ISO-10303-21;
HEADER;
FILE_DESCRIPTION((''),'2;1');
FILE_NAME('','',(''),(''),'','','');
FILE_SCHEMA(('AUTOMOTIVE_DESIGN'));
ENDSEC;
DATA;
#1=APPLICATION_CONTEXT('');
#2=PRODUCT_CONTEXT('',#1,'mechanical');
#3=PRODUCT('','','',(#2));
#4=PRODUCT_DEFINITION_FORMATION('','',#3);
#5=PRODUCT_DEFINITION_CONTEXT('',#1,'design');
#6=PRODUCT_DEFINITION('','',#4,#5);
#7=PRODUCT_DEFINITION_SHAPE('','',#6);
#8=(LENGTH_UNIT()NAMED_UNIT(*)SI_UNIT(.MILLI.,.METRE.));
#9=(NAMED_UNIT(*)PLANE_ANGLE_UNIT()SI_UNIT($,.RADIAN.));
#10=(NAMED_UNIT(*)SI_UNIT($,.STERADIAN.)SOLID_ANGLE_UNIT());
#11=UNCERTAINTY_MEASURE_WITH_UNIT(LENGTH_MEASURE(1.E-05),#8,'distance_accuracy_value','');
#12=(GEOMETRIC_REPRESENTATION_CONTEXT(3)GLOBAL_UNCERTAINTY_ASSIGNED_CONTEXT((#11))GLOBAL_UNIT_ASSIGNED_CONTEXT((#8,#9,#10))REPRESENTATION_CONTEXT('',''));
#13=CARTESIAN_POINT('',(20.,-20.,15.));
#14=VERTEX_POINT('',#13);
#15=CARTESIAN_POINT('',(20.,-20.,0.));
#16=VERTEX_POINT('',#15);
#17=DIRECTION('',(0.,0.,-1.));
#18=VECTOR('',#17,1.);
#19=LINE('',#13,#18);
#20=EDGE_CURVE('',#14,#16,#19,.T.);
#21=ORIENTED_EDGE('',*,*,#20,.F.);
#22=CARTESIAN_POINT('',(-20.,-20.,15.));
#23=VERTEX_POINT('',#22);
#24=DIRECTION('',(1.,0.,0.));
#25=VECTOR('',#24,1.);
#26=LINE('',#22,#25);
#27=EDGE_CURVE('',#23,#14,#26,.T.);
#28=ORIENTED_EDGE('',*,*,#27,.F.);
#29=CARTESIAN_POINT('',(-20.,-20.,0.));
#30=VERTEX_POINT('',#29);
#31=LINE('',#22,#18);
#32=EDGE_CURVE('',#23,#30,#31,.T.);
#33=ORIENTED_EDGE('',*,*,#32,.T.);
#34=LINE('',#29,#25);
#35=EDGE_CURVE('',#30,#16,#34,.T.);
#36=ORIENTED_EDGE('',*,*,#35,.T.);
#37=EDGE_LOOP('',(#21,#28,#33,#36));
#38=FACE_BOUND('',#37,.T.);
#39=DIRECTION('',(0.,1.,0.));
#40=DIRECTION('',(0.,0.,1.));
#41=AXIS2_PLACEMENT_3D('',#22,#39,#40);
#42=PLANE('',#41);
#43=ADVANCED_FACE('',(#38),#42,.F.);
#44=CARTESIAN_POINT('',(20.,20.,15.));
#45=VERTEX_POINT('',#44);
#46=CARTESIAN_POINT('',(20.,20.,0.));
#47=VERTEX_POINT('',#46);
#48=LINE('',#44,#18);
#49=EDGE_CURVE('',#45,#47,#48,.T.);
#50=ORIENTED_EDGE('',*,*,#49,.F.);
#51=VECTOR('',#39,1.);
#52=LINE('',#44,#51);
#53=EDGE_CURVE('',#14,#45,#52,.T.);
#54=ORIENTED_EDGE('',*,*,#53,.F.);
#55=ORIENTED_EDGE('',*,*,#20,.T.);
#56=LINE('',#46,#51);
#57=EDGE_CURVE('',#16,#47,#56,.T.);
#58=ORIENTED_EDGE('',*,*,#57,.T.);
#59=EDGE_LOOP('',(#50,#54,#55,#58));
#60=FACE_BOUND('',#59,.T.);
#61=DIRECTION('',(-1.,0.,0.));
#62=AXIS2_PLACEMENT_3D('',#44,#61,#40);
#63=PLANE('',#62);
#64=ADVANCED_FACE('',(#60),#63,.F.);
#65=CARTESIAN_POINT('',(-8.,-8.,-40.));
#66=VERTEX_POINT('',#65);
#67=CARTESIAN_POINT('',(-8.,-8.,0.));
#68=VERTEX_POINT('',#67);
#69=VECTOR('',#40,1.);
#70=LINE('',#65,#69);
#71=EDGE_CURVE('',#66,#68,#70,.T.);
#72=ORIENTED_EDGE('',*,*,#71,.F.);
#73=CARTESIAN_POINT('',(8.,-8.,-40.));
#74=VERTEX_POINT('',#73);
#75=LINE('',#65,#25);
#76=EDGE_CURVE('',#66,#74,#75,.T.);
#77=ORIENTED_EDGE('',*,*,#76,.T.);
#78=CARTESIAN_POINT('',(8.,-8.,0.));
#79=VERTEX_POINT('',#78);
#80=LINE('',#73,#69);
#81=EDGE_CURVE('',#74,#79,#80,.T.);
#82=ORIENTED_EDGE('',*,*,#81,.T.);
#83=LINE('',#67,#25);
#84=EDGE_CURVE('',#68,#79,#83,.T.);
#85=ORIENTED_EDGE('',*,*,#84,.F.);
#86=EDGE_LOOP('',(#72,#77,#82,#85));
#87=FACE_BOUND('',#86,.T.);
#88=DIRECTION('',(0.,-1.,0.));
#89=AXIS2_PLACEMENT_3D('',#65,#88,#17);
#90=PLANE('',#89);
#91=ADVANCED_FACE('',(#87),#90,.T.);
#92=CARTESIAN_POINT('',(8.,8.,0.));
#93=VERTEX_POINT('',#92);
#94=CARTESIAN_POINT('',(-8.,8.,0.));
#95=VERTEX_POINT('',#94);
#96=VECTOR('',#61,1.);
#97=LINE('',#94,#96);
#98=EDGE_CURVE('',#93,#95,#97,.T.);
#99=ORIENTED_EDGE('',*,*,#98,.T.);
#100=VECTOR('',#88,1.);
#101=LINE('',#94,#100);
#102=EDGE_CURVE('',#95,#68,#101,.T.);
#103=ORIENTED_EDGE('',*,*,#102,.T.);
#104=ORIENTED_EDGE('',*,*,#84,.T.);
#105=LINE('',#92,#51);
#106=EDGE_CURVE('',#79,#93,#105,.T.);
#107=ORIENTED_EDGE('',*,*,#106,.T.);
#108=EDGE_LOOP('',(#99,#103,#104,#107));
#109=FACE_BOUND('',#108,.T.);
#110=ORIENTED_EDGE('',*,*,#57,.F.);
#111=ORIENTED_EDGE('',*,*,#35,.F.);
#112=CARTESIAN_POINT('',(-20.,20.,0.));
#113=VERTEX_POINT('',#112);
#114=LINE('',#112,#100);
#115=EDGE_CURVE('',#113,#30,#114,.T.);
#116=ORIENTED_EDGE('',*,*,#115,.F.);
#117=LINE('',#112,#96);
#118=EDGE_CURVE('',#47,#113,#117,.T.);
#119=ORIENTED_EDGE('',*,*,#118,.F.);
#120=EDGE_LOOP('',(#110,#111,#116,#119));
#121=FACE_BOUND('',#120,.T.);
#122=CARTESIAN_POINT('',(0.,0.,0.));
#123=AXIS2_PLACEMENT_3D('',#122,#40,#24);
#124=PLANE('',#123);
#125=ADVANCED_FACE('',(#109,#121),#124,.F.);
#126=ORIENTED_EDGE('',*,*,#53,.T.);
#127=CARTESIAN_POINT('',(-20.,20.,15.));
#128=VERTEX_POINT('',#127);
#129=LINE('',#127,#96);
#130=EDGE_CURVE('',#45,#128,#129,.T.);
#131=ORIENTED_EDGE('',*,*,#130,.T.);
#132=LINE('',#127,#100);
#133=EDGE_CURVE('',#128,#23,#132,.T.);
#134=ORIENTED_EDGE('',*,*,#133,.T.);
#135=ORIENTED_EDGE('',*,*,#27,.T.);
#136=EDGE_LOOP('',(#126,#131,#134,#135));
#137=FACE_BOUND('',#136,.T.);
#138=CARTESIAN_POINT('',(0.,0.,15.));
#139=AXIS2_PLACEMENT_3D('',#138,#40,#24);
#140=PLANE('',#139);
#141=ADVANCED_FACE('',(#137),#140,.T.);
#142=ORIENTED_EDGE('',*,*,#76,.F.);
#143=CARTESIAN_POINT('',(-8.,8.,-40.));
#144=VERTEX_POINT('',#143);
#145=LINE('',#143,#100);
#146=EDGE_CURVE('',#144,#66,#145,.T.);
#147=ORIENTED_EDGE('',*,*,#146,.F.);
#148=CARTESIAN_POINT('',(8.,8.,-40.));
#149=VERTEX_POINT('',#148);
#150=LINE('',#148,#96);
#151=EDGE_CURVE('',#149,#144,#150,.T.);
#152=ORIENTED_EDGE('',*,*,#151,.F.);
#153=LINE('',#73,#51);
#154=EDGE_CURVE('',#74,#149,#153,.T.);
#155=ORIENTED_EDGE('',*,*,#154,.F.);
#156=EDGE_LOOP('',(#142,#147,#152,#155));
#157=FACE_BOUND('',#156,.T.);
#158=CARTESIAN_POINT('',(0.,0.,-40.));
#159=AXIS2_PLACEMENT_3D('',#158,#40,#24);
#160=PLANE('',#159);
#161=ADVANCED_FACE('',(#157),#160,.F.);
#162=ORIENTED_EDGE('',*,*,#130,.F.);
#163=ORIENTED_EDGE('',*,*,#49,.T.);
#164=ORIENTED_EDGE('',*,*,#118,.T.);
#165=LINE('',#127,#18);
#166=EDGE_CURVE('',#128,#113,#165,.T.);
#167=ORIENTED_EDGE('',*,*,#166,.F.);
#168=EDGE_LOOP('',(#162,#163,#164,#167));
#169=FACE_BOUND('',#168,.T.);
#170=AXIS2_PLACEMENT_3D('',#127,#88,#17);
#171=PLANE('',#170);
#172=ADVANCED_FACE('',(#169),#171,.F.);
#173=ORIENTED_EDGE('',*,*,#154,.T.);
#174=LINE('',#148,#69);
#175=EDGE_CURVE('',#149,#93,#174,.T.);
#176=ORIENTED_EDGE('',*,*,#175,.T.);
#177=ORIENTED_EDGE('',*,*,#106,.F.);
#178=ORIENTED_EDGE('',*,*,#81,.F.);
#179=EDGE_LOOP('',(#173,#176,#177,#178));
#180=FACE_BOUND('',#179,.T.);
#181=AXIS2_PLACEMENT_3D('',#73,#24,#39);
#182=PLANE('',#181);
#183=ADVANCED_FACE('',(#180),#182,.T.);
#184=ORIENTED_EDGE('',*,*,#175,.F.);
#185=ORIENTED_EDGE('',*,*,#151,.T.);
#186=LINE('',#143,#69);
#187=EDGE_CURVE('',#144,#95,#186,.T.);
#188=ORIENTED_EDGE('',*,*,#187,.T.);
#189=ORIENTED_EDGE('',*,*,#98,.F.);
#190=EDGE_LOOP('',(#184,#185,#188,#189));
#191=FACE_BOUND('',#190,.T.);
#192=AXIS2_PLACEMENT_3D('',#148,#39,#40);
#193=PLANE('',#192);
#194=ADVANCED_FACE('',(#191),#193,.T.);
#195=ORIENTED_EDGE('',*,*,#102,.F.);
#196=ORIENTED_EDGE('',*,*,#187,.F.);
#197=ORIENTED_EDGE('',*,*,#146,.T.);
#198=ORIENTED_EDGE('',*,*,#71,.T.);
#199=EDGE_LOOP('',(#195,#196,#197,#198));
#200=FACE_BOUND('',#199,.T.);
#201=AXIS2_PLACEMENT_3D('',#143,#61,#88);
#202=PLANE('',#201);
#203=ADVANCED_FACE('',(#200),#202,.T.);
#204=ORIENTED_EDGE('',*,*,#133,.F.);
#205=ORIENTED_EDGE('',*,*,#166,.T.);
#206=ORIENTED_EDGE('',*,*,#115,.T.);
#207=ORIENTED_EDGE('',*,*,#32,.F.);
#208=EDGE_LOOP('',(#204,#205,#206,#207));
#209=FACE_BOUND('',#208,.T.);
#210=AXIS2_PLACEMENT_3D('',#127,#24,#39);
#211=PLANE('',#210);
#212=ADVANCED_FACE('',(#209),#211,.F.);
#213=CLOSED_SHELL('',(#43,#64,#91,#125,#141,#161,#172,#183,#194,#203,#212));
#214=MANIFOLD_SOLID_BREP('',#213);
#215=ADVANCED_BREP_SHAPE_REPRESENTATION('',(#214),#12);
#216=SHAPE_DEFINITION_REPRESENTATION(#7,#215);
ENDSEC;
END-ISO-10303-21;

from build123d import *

# Parameters (mm, degrees)
SKETCH_1_W      = 40
SKETCH_1_H      = 40
SKETCH_1_W_2    = 16
SKETCH_1_H_2    = 16
EXTRUDE_2_DEPTH = 15
SKETCH_2_W      = 16
SKETCH_2_H      = 16
EXTRUDE_3_DEPTH = 55


with BuildPart() as part:
    # 草图1 → 凸台-拉伸2 (new body)
    with BuildSketch(Plane.XY):
        Rectangle(SKETCH_1_W, SKETCH_1_H)
        Rectangle(SKETCH_1_W_2, SKETCH_1_H_2, mode=Mode.SUBTRACT)
    extrude(amount=EXTRUDE_2_DEPTH)

    # 草图2 → 凸台-拉伸3 (add)
    with BuildSketch(Plane.XY.offset(15)):
        Rectangle(SKETCH_2_W, SKETCH_2_H)
    extrude(amount=-EXTRUDE_3_DEPTH)


solid = part.part
